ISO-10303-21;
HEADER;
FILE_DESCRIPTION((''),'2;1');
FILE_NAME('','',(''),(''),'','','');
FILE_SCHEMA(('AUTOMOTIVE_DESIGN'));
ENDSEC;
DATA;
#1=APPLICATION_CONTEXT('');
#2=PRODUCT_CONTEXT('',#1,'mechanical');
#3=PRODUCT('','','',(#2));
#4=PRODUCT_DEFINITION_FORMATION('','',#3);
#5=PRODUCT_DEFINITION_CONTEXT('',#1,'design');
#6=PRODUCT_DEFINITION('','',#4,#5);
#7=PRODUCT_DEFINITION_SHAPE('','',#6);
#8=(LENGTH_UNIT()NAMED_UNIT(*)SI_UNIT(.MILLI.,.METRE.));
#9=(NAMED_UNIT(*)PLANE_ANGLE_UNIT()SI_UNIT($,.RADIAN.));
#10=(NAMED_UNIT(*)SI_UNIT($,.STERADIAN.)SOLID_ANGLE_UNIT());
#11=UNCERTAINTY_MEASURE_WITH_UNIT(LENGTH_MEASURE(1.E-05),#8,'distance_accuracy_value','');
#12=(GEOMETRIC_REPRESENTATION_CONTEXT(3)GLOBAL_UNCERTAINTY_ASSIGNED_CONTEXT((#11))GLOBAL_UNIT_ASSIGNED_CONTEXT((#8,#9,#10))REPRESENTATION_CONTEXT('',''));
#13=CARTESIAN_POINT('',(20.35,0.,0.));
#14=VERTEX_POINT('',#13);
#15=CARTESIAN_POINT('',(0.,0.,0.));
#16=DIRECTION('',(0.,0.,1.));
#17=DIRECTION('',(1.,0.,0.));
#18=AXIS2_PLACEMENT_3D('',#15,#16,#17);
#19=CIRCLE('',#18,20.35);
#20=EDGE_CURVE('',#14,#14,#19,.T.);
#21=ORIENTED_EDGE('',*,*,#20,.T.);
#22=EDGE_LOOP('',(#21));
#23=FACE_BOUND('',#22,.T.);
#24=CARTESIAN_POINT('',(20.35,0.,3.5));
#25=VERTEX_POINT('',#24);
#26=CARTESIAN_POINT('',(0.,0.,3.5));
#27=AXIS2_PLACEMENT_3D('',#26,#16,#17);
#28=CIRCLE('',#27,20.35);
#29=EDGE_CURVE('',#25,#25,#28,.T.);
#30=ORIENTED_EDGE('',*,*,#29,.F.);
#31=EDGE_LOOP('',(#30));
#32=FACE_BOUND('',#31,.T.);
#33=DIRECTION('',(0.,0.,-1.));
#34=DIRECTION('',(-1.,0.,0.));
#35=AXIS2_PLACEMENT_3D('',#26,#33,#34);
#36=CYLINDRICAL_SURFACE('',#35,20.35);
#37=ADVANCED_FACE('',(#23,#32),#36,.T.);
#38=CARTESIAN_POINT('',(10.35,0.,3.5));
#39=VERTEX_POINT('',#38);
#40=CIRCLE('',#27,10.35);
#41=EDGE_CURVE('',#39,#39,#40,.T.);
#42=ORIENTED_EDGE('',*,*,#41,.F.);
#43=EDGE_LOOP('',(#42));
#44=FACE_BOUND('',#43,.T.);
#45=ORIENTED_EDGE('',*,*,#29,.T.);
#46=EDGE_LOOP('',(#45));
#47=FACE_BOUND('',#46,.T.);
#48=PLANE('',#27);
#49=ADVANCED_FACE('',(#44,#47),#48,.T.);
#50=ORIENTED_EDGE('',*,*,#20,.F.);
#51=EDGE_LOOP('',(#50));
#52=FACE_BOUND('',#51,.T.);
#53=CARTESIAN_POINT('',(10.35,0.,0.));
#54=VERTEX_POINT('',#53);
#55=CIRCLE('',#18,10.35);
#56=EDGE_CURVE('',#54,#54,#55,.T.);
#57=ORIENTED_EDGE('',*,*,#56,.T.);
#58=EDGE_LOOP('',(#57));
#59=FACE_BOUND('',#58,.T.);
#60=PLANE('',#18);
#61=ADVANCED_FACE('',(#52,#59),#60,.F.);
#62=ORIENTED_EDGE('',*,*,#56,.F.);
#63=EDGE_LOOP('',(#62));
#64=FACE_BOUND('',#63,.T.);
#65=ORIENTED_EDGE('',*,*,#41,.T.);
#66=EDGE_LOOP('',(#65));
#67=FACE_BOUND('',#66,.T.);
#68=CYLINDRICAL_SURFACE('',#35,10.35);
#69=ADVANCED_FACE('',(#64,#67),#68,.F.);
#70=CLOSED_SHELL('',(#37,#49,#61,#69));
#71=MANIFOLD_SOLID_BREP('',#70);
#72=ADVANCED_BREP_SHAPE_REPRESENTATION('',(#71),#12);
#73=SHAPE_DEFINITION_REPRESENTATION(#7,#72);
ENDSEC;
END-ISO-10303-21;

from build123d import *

# Parameters (mm, degrees)
ESQUISSE1_R        = 20.35
ESQUISSE1_R_2      = 10.35
BOSS_EXTRU_1_DEPTH = 3.5


with BuildPart() as part:
    # Esquisse1 → Boss.-Extru.1 (new body)
    with BuildSketch(Plane.XY):
        Circle(ESQUISSE1_R)
        Circle(ESQUISSE1_R_2, mode=Mode.SUBTRACT)
    extrude(amount=BOSS_EXTRU_1_DEPTH)


solid = part.part
